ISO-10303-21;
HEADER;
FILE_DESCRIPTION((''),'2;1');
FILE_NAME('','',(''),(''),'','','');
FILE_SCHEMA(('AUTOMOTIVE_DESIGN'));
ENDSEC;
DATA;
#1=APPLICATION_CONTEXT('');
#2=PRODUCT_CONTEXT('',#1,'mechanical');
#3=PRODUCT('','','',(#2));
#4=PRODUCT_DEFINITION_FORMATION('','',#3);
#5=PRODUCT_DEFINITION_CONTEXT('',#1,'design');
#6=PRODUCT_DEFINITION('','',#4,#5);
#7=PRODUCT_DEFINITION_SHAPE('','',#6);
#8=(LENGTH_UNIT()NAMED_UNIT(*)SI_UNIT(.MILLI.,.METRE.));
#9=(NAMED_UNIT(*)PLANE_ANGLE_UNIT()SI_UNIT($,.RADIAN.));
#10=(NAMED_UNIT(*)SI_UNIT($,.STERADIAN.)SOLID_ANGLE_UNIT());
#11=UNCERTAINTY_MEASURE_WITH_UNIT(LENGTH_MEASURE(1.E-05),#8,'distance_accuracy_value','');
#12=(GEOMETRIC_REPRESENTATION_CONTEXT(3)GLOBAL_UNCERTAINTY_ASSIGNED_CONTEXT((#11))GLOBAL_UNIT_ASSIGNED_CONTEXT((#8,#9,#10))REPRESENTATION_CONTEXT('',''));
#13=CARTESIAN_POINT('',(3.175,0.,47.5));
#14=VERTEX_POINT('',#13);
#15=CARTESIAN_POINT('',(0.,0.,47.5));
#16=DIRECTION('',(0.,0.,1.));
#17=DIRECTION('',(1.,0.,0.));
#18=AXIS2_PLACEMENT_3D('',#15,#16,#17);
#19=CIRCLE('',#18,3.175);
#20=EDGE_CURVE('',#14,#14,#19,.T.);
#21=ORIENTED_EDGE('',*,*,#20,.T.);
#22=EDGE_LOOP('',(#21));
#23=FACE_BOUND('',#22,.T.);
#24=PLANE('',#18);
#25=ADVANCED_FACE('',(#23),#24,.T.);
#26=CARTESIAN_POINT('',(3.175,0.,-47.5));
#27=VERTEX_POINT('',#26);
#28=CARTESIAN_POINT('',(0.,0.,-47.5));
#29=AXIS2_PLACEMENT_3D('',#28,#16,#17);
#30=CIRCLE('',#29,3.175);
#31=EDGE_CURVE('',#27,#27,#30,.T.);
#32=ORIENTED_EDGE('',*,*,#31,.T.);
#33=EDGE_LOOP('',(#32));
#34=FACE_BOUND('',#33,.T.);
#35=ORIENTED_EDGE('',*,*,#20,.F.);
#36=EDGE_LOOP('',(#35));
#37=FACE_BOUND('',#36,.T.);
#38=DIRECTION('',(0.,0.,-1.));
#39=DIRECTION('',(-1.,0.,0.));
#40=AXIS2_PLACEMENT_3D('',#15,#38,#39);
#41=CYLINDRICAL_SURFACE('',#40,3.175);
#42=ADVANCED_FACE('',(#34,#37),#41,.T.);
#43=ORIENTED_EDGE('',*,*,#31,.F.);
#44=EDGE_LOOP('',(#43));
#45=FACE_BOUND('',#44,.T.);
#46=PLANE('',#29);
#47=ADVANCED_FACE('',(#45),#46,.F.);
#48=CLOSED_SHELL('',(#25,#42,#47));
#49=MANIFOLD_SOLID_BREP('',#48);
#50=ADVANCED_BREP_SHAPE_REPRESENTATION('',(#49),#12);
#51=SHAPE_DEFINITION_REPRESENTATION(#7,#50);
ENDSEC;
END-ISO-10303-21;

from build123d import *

# Parameters (mm, degrees)
SKETCH1_R           = 3.175
BOSS_EXTRUDE1_DEPTH = 47.5


with BuildPart() as part:
    # Sketch1 → Boss-Extrude1 (new body, symmetric)
    with BuildSketch(Plane.XY):
        Circle(SKETCH1_R)
    extrude(amount=BOSS_EXTRUDE1_DEPTH, both=True)


solid = part.part
